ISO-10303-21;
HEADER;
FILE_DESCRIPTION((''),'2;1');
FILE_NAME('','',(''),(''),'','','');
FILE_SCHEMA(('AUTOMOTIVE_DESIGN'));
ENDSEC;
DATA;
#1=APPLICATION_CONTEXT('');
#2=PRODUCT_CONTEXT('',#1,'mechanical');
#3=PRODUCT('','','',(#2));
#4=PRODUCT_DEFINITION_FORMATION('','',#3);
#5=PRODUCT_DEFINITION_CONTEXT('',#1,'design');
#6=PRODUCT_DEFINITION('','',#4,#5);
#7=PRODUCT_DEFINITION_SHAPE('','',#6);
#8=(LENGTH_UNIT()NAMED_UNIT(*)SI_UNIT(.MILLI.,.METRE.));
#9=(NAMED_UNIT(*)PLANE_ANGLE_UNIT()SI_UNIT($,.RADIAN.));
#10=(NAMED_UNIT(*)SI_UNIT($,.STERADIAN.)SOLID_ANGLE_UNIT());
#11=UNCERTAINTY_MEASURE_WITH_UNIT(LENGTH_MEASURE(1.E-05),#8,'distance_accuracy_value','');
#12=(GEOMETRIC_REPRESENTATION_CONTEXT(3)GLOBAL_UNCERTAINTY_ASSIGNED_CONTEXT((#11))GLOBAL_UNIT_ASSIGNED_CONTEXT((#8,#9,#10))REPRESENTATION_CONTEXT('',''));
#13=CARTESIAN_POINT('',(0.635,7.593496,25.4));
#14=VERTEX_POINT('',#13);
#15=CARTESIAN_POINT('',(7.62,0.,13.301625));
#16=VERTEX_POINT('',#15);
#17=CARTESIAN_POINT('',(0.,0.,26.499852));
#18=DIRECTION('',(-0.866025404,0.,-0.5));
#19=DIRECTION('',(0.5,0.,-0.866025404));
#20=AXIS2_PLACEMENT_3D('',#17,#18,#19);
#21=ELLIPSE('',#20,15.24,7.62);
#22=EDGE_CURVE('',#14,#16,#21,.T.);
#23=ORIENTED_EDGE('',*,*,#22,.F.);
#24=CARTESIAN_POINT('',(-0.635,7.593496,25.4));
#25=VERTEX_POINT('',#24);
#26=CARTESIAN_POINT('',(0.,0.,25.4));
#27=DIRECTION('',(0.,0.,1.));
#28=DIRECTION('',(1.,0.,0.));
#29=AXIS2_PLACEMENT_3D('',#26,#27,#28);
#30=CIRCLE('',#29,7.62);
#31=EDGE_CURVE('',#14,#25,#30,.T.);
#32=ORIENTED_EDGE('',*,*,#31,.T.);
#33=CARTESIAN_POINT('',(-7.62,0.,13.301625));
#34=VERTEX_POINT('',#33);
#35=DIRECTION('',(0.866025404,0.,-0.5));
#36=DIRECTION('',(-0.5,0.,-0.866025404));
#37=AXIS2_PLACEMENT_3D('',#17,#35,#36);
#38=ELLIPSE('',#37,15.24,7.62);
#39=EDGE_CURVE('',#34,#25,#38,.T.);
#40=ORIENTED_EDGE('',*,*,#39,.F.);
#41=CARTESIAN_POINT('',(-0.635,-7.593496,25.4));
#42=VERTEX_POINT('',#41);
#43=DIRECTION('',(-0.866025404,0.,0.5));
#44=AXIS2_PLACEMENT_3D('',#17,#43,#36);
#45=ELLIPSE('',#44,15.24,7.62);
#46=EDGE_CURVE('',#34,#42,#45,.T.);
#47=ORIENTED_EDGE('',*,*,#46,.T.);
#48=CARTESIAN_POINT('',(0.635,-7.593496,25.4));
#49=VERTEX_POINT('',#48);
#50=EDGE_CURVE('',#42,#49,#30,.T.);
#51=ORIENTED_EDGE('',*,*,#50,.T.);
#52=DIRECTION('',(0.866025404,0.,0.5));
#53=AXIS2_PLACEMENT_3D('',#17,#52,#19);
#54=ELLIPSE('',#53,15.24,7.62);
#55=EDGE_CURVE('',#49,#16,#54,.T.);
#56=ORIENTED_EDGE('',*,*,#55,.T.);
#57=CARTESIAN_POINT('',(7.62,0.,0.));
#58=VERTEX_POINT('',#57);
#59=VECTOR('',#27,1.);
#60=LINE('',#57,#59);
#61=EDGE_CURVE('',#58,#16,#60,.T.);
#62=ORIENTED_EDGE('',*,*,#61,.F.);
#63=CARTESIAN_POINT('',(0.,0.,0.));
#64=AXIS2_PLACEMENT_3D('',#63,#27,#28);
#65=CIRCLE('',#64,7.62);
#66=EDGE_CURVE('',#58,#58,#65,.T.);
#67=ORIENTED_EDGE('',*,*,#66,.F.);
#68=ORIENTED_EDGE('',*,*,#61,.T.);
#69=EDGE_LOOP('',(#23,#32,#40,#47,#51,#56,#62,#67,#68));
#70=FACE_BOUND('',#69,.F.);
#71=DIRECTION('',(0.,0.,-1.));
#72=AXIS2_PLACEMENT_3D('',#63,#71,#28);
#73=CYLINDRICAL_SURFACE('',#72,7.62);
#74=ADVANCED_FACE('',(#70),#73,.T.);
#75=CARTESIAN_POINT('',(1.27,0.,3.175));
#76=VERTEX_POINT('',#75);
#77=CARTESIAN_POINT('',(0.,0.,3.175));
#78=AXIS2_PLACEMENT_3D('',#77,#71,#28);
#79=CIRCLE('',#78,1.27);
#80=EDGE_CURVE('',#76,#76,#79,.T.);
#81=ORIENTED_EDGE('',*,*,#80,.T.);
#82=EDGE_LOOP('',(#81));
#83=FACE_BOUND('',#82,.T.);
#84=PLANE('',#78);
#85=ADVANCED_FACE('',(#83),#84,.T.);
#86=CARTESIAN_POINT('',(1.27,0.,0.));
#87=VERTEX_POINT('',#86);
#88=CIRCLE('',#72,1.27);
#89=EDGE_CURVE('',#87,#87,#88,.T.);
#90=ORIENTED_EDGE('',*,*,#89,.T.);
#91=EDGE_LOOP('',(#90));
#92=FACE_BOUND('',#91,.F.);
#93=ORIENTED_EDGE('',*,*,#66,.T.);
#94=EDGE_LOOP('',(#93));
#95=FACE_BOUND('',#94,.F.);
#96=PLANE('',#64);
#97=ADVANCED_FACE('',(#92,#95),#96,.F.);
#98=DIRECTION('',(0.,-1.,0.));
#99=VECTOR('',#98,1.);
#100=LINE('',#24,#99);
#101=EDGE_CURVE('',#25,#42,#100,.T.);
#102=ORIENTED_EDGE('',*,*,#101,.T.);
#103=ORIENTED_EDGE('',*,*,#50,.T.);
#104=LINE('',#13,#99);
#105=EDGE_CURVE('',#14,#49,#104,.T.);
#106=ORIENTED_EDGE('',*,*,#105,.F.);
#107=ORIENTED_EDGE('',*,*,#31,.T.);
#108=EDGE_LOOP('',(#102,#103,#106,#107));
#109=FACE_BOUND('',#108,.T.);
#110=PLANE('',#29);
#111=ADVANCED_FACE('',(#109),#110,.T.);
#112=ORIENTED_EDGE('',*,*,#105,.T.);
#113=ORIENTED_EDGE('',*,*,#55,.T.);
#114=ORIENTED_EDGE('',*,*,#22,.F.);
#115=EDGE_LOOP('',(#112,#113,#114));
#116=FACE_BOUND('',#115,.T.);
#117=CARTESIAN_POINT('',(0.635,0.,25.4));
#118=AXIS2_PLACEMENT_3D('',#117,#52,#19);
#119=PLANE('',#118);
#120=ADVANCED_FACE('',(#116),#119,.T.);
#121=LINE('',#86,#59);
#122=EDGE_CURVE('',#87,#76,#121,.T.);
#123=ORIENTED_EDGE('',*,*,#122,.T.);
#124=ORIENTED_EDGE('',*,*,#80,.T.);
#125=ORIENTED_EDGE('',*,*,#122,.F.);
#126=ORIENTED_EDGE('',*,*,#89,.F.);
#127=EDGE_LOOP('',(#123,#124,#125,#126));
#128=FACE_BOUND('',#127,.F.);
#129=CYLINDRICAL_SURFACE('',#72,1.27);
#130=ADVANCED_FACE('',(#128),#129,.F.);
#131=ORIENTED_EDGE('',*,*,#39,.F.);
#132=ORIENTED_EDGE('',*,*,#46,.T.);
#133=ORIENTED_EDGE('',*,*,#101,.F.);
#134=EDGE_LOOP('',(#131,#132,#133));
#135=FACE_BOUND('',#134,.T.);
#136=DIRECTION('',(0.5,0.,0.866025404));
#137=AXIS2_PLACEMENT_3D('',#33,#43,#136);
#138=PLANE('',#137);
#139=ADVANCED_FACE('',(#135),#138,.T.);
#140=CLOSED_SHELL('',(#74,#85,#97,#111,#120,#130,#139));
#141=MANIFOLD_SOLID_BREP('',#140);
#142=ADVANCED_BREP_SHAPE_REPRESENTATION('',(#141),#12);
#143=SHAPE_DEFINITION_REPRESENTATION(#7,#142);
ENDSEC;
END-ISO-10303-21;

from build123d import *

# Parameters (mm, degrees)
F0_R          = 7.62
F1_DEPTH      = 25.4
F3_DEPTH      = 7.621
F3_DEPTH_BACK = 7.621
F4_R          = 1.27
F5_DEPTH      = 3.175


with BuildPart() as f1:
    # F0 (on Top) → F1 (new body)
    with BuildSketch(Plane.XY):
        Circle(F0_R)
    extrude(amount=F1_DEPTH)

    # F2 (on Front) → F3 (cut, two sides)
    with BuildSketch(Plane.XZ) as f3_sk:
        Polygon((-7.62, 36.5128359933), (-7.62, 13.3016251091), (-0.635, 25.4), (0, 26.4998522628), (0.635, 25.4), (7.62, 13.3016251091), (7.62, 36.5128359933), align=None)
        Polygon((0, 26.4998522628), (-0.635, 25.4), (0.635, 25.4), align=None)
    extrude(amount=-F3_DEPTH, mode=Mode.SUBTRACT)
    extrude(f3_sk.sketch, amount=F3_DEPTH_BACK, mode=Mode.SUBTRACT)

    # F4 (on face) → F5 (cut)
    with BuildSketch(Plane(origin=(0, 0, 0), x_dir=(1, 0, 0), z_dir=(0, 0, -1))):
        Circle(F4_R)
    extrude(amount=-F5_DEPTH, mode=Mode.SUBTRACT)


solid = f1.part
